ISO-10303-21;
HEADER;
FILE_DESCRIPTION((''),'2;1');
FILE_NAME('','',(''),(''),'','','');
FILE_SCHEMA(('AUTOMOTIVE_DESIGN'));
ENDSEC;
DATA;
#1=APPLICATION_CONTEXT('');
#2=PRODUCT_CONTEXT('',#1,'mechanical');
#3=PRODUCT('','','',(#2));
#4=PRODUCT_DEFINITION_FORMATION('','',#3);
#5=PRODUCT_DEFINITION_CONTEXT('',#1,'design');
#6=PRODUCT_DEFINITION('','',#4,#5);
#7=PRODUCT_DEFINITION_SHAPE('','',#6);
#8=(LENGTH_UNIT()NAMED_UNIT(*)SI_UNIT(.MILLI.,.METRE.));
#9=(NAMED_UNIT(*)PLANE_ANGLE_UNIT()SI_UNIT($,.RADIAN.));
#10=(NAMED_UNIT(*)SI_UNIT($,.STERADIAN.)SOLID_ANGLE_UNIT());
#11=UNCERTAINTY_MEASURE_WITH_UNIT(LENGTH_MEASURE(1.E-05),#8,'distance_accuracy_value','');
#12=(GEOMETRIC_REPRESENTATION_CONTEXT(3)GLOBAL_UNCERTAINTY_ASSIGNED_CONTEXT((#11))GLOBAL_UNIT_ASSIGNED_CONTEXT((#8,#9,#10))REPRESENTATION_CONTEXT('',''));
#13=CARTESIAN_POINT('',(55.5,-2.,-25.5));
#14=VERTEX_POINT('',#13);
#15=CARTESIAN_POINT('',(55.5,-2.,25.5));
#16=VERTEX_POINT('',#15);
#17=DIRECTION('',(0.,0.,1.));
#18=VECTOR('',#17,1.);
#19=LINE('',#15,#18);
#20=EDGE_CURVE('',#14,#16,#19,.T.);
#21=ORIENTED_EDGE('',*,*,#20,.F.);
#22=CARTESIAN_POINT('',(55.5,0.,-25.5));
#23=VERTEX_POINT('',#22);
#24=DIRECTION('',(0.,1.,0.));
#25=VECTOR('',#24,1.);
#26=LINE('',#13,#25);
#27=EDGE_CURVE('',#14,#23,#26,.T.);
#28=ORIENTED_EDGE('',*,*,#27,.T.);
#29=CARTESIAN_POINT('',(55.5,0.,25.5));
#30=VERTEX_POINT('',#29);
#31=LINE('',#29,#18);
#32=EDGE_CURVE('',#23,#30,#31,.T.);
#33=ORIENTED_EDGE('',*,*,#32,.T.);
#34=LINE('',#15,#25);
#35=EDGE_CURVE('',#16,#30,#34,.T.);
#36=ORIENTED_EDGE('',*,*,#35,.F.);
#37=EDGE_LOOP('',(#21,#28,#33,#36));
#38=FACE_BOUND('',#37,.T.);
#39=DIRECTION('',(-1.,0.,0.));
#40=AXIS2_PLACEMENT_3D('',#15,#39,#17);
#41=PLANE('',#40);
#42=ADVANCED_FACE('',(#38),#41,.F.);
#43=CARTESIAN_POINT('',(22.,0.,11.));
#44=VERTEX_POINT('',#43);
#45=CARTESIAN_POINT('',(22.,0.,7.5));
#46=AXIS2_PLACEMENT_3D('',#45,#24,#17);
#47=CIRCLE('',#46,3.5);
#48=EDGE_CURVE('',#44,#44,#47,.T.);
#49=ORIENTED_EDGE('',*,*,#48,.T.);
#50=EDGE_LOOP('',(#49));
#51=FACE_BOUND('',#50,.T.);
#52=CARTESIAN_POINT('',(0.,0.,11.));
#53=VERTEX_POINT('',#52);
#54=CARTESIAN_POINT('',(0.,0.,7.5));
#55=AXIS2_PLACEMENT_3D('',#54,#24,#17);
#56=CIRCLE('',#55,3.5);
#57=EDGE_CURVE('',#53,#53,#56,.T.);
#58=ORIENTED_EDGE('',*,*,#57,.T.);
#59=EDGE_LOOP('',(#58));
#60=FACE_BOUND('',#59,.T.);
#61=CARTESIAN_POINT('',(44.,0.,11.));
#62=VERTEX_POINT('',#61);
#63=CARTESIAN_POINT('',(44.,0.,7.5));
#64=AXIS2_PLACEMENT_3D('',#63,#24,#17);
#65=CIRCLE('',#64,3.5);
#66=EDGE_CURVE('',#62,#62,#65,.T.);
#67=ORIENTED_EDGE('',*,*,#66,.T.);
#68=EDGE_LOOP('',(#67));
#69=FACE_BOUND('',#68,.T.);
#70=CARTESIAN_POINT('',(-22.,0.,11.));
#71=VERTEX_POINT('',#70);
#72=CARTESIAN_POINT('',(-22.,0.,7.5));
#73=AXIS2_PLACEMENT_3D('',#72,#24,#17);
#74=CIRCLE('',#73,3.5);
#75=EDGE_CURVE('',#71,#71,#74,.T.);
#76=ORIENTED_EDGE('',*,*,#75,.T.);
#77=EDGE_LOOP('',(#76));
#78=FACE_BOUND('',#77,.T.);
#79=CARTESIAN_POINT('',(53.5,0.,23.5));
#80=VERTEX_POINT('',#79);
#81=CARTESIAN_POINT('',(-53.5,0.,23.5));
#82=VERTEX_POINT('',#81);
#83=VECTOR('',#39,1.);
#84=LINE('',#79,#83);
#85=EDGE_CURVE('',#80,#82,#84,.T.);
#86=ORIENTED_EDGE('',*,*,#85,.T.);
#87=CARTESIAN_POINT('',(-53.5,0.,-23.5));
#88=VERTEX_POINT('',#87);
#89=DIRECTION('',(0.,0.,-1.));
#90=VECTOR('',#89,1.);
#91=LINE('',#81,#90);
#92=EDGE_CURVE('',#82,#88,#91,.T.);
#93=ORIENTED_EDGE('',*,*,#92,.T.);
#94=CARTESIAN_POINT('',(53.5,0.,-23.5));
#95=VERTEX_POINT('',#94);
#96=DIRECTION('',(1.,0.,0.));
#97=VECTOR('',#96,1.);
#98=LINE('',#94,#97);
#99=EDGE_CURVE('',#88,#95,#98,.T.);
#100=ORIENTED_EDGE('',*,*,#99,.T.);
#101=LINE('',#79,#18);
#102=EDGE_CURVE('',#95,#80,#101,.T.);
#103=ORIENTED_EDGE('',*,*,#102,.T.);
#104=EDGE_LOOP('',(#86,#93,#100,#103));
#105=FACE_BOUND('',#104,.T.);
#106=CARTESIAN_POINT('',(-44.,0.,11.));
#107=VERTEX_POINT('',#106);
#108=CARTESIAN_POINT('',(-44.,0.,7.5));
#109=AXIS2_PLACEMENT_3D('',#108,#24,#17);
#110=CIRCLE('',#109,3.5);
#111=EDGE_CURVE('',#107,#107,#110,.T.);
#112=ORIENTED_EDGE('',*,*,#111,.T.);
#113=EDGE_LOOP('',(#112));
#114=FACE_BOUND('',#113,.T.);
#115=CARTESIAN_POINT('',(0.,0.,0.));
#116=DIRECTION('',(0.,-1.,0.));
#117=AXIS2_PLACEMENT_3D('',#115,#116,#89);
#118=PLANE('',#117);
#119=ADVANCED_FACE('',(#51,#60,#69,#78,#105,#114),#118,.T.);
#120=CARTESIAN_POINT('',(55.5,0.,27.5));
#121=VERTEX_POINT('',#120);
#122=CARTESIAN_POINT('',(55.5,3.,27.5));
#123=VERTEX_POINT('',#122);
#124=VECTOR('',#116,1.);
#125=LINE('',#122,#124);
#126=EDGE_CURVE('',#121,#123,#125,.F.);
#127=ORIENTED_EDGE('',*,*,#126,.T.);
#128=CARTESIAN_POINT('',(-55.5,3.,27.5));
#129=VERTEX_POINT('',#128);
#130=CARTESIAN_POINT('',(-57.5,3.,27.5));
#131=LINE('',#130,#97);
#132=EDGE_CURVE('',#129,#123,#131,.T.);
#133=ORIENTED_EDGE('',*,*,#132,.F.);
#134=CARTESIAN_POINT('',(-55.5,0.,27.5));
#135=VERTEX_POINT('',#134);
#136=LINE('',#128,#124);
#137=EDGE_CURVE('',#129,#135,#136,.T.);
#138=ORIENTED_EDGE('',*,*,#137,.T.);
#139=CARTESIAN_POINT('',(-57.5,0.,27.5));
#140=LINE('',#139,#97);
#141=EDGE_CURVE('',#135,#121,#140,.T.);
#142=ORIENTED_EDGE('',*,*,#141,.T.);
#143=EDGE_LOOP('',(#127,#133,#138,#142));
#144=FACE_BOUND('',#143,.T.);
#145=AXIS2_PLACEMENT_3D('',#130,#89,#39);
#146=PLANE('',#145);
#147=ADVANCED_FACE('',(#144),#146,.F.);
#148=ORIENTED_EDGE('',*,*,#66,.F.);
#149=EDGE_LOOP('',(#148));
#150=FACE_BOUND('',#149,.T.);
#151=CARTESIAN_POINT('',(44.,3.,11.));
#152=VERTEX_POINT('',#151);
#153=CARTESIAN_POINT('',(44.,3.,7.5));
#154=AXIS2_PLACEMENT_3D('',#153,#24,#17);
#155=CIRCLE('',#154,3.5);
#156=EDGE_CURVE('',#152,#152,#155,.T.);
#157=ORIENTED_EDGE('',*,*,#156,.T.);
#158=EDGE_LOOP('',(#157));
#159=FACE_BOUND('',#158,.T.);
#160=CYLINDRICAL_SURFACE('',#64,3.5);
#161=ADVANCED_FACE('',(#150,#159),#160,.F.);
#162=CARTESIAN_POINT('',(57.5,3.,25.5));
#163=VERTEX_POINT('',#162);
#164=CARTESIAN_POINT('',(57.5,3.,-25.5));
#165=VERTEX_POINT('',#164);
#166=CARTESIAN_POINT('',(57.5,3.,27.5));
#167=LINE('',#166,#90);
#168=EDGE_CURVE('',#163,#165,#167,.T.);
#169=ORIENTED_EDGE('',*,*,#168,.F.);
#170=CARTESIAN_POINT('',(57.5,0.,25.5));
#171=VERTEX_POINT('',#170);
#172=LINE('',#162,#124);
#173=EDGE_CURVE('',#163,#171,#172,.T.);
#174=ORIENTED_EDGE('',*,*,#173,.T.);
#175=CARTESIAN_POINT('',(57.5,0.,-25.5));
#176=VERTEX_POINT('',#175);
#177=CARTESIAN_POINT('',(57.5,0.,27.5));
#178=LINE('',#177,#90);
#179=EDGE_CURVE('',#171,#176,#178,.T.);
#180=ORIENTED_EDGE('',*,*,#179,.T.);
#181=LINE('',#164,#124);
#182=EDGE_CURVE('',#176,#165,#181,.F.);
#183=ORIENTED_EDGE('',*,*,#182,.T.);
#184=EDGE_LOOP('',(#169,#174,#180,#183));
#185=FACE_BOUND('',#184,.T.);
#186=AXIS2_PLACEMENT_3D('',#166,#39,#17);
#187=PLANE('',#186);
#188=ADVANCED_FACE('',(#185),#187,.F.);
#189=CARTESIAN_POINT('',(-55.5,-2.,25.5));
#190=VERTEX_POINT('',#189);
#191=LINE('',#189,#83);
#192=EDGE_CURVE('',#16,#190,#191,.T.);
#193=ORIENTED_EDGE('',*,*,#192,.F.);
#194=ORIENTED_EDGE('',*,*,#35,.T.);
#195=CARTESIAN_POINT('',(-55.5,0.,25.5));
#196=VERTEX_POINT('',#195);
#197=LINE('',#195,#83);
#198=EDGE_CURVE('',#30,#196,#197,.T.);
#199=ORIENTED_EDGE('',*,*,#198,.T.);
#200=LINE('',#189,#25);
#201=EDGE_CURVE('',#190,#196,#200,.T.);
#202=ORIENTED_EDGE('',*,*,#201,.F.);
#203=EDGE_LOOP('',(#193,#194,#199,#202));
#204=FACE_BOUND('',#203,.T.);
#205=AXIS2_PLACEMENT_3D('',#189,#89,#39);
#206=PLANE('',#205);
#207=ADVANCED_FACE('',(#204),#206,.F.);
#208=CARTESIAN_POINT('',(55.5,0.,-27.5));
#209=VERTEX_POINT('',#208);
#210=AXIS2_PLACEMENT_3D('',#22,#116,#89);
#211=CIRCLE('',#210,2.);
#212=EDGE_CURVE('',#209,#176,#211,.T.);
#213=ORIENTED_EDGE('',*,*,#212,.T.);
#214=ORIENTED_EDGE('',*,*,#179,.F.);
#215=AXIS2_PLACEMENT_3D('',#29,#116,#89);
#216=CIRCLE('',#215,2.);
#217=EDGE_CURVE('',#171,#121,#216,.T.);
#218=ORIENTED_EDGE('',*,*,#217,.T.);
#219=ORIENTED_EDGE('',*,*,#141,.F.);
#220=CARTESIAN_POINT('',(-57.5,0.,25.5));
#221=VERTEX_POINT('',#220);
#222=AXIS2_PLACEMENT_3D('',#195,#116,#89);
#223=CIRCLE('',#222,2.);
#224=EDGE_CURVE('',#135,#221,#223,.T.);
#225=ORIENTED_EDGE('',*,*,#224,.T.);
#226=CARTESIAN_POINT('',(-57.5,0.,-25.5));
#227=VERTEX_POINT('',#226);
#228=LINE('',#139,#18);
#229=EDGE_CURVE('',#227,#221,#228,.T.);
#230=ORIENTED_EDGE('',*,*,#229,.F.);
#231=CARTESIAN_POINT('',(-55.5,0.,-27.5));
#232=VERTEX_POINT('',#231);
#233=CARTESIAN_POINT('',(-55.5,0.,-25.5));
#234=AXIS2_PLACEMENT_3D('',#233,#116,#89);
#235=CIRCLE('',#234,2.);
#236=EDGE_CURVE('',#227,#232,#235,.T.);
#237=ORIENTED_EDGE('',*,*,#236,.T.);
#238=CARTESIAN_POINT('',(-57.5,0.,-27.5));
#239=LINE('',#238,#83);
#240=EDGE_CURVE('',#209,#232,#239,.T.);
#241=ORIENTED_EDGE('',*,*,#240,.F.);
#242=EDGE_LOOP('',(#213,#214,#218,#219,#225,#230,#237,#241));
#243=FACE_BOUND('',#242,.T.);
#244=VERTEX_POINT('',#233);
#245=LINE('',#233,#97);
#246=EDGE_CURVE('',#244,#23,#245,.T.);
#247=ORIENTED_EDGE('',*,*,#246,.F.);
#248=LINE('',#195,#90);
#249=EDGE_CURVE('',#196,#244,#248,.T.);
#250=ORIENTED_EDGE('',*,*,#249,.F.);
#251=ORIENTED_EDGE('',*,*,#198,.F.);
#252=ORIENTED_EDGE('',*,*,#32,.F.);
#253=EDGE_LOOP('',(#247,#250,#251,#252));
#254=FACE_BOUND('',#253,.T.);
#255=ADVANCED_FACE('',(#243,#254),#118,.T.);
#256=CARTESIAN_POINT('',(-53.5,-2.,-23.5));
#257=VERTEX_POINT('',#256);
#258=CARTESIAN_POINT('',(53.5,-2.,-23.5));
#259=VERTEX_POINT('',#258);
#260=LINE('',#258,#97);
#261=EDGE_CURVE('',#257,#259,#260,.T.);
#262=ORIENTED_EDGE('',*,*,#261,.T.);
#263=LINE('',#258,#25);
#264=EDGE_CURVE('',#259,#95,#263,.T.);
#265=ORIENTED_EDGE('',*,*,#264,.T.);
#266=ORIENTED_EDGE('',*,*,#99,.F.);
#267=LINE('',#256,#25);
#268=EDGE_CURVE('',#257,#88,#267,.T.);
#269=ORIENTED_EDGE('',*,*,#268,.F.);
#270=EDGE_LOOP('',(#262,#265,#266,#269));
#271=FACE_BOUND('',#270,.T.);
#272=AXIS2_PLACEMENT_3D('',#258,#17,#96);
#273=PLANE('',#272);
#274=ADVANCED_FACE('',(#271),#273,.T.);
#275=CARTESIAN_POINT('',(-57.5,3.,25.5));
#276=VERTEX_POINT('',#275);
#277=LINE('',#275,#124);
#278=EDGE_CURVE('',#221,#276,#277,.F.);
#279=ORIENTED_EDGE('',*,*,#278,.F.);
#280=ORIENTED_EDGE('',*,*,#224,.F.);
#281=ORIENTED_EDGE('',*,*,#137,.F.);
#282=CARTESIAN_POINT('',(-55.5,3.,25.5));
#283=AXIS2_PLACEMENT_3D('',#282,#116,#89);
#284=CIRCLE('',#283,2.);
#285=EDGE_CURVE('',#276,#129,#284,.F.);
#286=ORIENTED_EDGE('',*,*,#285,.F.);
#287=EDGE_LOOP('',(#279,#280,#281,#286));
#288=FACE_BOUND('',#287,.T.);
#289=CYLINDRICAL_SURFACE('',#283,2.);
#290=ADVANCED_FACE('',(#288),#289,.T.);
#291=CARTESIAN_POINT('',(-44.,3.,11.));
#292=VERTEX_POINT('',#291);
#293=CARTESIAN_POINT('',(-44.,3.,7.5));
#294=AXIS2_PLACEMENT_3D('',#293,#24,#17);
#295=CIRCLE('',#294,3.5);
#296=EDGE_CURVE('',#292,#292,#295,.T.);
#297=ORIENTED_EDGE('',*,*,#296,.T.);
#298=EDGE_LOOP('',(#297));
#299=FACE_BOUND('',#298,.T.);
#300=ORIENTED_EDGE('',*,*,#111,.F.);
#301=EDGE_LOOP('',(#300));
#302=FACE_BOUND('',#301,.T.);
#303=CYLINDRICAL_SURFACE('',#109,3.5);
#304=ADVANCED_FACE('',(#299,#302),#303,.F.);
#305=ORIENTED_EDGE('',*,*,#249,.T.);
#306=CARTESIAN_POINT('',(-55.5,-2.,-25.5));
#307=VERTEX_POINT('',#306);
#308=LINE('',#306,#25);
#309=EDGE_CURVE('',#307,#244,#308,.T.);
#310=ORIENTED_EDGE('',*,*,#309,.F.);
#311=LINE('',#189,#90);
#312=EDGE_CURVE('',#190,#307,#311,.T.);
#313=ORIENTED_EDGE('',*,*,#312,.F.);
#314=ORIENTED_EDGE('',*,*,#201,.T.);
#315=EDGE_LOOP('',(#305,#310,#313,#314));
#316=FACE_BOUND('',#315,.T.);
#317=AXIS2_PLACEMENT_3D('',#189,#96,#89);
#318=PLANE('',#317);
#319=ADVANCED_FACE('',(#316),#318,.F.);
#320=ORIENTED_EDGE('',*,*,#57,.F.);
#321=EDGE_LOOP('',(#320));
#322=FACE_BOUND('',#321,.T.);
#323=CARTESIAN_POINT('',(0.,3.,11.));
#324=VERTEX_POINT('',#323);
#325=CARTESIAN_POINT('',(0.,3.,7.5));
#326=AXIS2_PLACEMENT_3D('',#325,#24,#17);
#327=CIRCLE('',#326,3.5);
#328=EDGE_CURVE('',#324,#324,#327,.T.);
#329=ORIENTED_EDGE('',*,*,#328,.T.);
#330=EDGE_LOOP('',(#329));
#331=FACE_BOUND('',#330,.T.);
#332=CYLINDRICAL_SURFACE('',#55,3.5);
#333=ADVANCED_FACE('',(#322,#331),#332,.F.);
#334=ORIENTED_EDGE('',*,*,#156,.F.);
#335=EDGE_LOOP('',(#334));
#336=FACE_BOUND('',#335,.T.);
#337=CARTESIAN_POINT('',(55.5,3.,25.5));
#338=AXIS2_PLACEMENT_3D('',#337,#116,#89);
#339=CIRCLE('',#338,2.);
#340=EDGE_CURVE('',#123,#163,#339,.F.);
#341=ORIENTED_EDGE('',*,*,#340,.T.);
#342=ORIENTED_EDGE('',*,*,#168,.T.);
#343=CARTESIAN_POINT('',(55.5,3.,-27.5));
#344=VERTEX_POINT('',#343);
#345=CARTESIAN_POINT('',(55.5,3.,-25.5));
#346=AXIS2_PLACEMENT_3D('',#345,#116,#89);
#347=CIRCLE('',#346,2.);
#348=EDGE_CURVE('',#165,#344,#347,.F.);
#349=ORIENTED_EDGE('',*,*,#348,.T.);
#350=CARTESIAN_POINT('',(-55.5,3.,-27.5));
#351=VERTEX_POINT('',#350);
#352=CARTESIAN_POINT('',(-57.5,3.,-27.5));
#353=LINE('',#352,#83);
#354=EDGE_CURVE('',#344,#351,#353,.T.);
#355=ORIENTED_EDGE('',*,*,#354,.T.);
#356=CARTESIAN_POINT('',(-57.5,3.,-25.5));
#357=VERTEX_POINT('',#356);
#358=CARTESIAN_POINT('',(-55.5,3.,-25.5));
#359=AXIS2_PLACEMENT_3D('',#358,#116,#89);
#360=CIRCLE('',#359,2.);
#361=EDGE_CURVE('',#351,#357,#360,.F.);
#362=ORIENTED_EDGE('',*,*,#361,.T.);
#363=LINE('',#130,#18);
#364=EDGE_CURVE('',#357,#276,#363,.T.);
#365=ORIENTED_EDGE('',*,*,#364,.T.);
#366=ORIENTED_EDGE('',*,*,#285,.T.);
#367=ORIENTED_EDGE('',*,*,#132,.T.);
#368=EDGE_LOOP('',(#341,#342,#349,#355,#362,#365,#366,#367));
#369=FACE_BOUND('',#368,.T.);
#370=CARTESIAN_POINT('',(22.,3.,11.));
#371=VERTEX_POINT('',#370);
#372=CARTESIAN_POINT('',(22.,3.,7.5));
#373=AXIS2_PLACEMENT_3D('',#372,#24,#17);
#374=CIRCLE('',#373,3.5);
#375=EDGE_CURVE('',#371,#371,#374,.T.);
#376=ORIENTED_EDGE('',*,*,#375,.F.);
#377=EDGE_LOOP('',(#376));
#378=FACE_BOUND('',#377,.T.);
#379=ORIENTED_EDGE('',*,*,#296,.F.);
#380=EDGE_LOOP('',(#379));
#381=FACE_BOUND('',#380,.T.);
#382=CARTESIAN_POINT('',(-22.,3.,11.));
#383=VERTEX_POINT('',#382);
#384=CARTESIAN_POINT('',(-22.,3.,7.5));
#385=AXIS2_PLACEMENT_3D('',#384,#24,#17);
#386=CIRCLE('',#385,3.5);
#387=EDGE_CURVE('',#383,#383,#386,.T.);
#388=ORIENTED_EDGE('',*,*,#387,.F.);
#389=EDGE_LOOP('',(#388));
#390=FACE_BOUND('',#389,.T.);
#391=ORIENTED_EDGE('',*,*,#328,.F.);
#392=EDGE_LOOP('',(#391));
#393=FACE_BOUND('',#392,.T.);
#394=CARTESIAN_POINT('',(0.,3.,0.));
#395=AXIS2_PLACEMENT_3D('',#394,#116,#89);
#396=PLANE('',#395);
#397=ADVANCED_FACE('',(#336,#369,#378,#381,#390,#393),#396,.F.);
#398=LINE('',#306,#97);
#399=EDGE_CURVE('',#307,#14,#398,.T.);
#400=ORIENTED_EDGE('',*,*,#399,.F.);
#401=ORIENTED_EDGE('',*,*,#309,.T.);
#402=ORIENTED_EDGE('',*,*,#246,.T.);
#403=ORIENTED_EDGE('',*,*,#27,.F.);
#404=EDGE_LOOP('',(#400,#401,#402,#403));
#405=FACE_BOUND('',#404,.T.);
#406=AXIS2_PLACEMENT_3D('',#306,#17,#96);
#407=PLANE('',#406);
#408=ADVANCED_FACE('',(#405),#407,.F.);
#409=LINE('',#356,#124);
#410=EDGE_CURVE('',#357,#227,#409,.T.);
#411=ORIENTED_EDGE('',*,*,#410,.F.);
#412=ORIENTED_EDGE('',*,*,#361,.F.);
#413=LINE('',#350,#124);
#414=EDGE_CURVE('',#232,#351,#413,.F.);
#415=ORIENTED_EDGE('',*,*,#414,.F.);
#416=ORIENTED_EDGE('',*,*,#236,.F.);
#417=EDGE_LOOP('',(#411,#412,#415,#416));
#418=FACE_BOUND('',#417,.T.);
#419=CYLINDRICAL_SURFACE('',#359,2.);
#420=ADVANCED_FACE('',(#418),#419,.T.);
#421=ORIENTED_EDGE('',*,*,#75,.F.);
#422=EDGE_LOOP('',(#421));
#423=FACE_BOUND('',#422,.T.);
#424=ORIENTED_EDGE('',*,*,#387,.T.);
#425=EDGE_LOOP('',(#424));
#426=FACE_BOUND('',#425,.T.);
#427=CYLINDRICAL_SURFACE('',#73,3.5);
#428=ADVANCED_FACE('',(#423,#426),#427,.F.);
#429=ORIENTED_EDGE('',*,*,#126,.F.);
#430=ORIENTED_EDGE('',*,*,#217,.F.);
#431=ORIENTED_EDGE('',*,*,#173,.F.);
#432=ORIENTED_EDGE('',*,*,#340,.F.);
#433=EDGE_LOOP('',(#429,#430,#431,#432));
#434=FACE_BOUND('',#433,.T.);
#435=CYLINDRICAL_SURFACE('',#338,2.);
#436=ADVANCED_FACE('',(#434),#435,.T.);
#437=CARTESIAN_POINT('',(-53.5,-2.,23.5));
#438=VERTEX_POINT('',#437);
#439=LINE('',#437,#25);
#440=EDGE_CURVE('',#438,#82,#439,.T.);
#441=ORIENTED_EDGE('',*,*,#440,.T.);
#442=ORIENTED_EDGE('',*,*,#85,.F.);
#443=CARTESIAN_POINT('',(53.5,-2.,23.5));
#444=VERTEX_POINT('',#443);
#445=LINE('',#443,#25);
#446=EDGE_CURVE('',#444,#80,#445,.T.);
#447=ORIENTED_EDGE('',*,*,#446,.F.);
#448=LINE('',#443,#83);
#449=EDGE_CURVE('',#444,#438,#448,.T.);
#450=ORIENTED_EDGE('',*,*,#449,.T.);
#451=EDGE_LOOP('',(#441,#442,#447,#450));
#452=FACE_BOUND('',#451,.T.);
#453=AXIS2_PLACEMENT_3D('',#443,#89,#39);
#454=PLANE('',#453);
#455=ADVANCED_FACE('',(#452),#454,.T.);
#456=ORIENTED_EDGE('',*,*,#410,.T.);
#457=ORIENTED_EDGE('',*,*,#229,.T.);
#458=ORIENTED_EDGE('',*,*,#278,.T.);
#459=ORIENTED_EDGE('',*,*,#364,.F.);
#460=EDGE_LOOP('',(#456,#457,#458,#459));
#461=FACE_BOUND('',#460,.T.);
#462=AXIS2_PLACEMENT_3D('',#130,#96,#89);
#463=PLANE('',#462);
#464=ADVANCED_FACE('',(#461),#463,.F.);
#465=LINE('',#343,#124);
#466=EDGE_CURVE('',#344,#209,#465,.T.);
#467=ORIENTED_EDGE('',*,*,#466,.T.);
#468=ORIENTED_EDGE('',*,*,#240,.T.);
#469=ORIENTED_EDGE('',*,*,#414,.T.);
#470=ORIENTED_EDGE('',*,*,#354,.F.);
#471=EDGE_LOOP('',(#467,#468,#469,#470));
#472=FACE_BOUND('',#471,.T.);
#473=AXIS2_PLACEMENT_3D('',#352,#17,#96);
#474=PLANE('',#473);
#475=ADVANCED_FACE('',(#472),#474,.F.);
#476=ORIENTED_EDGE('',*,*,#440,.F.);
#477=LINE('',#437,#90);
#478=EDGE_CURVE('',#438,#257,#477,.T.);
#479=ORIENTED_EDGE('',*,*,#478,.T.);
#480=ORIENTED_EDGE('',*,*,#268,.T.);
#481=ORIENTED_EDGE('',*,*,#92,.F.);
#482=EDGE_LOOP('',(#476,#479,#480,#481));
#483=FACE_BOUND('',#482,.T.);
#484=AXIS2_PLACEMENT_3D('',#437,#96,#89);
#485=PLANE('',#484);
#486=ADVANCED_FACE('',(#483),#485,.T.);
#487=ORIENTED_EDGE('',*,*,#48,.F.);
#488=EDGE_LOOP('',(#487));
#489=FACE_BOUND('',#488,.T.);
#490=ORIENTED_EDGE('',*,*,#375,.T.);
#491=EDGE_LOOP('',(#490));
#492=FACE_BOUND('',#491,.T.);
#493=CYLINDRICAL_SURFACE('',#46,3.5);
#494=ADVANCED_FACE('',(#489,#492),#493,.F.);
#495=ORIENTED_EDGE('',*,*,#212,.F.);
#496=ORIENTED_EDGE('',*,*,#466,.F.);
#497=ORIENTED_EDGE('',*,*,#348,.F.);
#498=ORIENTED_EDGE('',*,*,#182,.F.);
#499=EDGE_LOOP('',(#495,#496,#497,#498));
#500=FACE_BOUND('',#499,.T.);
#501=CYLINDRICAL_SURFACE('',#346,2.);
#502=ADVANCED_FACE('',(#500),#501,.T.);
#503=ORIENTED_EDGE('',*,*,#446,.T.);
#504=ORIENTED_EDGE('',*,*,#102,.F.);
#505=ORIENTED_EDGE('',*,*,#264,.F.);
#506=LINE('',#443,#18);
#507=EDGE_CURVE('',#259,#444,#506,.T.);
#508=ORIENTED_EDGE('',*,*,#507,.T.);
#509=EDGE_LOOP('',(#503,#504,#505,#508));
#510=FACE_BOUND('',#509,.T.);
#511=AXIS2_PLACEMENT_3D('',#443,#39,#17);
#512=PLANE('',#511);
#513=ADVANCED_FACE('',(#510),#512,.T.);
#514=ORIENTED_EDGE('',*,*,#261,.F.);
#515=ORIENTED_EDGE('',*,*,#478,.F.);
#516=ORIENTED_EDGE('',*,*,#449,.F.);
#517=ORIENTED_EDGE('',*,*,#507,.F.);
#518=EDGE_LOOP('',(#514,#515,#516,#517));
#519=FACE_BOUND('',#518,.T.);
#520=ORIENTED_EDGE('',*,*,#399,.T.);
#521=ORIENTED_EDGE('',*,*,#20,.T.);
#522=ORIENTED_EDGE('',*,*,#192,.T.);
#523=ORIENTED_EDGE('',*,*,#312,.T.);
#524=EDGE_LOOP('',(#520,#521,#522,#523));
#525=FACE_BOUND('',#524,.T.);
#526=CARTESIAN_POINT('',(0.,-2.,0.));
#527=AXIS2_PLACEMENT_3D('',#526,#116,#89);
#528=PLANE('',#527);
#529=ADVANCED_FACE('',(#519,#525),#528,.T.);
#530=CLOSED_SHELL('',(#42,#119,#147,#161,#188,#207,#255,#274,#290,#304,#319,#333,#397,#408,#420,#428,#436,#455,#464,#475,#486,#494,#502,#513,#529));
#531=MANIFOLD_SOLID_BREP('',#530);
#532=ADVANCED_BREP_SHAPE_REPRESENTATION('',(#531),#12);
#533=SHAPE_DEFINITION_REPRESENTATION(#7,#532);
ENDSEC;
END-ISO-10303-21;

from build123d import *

# Parameters (mm, degrees)
SKETCH_1_W          = 115
SKETCH_1_H          = 55
EXTRUDE_1_DEPTH     = 3
SKETCH_2_R          = 3.5
CUT_EXTRUDE_1_DEPTH = 3
SKETCH_4_W          = 111
SKETCH_4_H          = 51
SKETCH_4_W_2        = 107
SKETCH_4_H_2        = 47
EXTRUDE_2_DEPTH     = 2
FILLET_1_R          = 2


with BuildPart() as part:
    # 草图1 → 凸台-拉伸1 (new body)
    with BuildSketch(Plane(origin=(0, 0, 0), x_dir=(1, 0, 0), z_dir=(0, 1, 0))):
        Rectangle(SKETCH_1_W, SKETCH_1_H)
    extrude(amount=EXTRUDE_1_DEPTH)

    # 草图2 → 切除-拉伸1 (cut)
    with BuildSketch(Plane(origin=(0, 3, 0), x_dir=(1, 0, 0), z_dir=(0, 1, 0))):
        with Locations(Location((-44, -7.5, 0), (0, 0, 270))):
            Circle(SKETCH_2_R)
        with Locations(Location((-22, -7.5, 0), (0, 0, 270))):
            Circle(SKETCH_2_R)
        with Locations(Location((0, -7.5, 0), (0, 0, 270))):
            Circle(SKETCH_2_R)
        with Locations(Location((22, -7.5, 0), (0, 0, 270))):
            Circle(SKETCH_2_R)
        with Locations(Location((44, -7.5, 0), (0, 0, 270))):
            Circle(SKETCH_2_R)
    extrude(amount=-CUT_EXTRUDE_1_DEPTH, mode=Mode.SUBTRACT)

    # 草图4 → 凸台-拉伸2 (add)
    with BuildSketch(Plane.XZ):
        Rectangle(SKETCH_4_W, SKETCH_4_H)
        Rectangle(SKETCH_4_W_2, SKETCH_4_H_2, mode=Mode.SUBTRACT)
    extrude(amount=EXTRUDE_2_DEPTH)

    # 圆角1
    fillet_1_edges = [part.edges().sort_by_distance(p)[0] for p in [
        (57.5, 1.5, 27.5),
        (-57.5, 1.5, 27.5),
        (-57.5, 1.5, -27.5),
        (57.5, 1.5, -27.5),
    ]]
    fillet(fillet_1_edges, radius=FILLET_1_R)


solid = part.part
